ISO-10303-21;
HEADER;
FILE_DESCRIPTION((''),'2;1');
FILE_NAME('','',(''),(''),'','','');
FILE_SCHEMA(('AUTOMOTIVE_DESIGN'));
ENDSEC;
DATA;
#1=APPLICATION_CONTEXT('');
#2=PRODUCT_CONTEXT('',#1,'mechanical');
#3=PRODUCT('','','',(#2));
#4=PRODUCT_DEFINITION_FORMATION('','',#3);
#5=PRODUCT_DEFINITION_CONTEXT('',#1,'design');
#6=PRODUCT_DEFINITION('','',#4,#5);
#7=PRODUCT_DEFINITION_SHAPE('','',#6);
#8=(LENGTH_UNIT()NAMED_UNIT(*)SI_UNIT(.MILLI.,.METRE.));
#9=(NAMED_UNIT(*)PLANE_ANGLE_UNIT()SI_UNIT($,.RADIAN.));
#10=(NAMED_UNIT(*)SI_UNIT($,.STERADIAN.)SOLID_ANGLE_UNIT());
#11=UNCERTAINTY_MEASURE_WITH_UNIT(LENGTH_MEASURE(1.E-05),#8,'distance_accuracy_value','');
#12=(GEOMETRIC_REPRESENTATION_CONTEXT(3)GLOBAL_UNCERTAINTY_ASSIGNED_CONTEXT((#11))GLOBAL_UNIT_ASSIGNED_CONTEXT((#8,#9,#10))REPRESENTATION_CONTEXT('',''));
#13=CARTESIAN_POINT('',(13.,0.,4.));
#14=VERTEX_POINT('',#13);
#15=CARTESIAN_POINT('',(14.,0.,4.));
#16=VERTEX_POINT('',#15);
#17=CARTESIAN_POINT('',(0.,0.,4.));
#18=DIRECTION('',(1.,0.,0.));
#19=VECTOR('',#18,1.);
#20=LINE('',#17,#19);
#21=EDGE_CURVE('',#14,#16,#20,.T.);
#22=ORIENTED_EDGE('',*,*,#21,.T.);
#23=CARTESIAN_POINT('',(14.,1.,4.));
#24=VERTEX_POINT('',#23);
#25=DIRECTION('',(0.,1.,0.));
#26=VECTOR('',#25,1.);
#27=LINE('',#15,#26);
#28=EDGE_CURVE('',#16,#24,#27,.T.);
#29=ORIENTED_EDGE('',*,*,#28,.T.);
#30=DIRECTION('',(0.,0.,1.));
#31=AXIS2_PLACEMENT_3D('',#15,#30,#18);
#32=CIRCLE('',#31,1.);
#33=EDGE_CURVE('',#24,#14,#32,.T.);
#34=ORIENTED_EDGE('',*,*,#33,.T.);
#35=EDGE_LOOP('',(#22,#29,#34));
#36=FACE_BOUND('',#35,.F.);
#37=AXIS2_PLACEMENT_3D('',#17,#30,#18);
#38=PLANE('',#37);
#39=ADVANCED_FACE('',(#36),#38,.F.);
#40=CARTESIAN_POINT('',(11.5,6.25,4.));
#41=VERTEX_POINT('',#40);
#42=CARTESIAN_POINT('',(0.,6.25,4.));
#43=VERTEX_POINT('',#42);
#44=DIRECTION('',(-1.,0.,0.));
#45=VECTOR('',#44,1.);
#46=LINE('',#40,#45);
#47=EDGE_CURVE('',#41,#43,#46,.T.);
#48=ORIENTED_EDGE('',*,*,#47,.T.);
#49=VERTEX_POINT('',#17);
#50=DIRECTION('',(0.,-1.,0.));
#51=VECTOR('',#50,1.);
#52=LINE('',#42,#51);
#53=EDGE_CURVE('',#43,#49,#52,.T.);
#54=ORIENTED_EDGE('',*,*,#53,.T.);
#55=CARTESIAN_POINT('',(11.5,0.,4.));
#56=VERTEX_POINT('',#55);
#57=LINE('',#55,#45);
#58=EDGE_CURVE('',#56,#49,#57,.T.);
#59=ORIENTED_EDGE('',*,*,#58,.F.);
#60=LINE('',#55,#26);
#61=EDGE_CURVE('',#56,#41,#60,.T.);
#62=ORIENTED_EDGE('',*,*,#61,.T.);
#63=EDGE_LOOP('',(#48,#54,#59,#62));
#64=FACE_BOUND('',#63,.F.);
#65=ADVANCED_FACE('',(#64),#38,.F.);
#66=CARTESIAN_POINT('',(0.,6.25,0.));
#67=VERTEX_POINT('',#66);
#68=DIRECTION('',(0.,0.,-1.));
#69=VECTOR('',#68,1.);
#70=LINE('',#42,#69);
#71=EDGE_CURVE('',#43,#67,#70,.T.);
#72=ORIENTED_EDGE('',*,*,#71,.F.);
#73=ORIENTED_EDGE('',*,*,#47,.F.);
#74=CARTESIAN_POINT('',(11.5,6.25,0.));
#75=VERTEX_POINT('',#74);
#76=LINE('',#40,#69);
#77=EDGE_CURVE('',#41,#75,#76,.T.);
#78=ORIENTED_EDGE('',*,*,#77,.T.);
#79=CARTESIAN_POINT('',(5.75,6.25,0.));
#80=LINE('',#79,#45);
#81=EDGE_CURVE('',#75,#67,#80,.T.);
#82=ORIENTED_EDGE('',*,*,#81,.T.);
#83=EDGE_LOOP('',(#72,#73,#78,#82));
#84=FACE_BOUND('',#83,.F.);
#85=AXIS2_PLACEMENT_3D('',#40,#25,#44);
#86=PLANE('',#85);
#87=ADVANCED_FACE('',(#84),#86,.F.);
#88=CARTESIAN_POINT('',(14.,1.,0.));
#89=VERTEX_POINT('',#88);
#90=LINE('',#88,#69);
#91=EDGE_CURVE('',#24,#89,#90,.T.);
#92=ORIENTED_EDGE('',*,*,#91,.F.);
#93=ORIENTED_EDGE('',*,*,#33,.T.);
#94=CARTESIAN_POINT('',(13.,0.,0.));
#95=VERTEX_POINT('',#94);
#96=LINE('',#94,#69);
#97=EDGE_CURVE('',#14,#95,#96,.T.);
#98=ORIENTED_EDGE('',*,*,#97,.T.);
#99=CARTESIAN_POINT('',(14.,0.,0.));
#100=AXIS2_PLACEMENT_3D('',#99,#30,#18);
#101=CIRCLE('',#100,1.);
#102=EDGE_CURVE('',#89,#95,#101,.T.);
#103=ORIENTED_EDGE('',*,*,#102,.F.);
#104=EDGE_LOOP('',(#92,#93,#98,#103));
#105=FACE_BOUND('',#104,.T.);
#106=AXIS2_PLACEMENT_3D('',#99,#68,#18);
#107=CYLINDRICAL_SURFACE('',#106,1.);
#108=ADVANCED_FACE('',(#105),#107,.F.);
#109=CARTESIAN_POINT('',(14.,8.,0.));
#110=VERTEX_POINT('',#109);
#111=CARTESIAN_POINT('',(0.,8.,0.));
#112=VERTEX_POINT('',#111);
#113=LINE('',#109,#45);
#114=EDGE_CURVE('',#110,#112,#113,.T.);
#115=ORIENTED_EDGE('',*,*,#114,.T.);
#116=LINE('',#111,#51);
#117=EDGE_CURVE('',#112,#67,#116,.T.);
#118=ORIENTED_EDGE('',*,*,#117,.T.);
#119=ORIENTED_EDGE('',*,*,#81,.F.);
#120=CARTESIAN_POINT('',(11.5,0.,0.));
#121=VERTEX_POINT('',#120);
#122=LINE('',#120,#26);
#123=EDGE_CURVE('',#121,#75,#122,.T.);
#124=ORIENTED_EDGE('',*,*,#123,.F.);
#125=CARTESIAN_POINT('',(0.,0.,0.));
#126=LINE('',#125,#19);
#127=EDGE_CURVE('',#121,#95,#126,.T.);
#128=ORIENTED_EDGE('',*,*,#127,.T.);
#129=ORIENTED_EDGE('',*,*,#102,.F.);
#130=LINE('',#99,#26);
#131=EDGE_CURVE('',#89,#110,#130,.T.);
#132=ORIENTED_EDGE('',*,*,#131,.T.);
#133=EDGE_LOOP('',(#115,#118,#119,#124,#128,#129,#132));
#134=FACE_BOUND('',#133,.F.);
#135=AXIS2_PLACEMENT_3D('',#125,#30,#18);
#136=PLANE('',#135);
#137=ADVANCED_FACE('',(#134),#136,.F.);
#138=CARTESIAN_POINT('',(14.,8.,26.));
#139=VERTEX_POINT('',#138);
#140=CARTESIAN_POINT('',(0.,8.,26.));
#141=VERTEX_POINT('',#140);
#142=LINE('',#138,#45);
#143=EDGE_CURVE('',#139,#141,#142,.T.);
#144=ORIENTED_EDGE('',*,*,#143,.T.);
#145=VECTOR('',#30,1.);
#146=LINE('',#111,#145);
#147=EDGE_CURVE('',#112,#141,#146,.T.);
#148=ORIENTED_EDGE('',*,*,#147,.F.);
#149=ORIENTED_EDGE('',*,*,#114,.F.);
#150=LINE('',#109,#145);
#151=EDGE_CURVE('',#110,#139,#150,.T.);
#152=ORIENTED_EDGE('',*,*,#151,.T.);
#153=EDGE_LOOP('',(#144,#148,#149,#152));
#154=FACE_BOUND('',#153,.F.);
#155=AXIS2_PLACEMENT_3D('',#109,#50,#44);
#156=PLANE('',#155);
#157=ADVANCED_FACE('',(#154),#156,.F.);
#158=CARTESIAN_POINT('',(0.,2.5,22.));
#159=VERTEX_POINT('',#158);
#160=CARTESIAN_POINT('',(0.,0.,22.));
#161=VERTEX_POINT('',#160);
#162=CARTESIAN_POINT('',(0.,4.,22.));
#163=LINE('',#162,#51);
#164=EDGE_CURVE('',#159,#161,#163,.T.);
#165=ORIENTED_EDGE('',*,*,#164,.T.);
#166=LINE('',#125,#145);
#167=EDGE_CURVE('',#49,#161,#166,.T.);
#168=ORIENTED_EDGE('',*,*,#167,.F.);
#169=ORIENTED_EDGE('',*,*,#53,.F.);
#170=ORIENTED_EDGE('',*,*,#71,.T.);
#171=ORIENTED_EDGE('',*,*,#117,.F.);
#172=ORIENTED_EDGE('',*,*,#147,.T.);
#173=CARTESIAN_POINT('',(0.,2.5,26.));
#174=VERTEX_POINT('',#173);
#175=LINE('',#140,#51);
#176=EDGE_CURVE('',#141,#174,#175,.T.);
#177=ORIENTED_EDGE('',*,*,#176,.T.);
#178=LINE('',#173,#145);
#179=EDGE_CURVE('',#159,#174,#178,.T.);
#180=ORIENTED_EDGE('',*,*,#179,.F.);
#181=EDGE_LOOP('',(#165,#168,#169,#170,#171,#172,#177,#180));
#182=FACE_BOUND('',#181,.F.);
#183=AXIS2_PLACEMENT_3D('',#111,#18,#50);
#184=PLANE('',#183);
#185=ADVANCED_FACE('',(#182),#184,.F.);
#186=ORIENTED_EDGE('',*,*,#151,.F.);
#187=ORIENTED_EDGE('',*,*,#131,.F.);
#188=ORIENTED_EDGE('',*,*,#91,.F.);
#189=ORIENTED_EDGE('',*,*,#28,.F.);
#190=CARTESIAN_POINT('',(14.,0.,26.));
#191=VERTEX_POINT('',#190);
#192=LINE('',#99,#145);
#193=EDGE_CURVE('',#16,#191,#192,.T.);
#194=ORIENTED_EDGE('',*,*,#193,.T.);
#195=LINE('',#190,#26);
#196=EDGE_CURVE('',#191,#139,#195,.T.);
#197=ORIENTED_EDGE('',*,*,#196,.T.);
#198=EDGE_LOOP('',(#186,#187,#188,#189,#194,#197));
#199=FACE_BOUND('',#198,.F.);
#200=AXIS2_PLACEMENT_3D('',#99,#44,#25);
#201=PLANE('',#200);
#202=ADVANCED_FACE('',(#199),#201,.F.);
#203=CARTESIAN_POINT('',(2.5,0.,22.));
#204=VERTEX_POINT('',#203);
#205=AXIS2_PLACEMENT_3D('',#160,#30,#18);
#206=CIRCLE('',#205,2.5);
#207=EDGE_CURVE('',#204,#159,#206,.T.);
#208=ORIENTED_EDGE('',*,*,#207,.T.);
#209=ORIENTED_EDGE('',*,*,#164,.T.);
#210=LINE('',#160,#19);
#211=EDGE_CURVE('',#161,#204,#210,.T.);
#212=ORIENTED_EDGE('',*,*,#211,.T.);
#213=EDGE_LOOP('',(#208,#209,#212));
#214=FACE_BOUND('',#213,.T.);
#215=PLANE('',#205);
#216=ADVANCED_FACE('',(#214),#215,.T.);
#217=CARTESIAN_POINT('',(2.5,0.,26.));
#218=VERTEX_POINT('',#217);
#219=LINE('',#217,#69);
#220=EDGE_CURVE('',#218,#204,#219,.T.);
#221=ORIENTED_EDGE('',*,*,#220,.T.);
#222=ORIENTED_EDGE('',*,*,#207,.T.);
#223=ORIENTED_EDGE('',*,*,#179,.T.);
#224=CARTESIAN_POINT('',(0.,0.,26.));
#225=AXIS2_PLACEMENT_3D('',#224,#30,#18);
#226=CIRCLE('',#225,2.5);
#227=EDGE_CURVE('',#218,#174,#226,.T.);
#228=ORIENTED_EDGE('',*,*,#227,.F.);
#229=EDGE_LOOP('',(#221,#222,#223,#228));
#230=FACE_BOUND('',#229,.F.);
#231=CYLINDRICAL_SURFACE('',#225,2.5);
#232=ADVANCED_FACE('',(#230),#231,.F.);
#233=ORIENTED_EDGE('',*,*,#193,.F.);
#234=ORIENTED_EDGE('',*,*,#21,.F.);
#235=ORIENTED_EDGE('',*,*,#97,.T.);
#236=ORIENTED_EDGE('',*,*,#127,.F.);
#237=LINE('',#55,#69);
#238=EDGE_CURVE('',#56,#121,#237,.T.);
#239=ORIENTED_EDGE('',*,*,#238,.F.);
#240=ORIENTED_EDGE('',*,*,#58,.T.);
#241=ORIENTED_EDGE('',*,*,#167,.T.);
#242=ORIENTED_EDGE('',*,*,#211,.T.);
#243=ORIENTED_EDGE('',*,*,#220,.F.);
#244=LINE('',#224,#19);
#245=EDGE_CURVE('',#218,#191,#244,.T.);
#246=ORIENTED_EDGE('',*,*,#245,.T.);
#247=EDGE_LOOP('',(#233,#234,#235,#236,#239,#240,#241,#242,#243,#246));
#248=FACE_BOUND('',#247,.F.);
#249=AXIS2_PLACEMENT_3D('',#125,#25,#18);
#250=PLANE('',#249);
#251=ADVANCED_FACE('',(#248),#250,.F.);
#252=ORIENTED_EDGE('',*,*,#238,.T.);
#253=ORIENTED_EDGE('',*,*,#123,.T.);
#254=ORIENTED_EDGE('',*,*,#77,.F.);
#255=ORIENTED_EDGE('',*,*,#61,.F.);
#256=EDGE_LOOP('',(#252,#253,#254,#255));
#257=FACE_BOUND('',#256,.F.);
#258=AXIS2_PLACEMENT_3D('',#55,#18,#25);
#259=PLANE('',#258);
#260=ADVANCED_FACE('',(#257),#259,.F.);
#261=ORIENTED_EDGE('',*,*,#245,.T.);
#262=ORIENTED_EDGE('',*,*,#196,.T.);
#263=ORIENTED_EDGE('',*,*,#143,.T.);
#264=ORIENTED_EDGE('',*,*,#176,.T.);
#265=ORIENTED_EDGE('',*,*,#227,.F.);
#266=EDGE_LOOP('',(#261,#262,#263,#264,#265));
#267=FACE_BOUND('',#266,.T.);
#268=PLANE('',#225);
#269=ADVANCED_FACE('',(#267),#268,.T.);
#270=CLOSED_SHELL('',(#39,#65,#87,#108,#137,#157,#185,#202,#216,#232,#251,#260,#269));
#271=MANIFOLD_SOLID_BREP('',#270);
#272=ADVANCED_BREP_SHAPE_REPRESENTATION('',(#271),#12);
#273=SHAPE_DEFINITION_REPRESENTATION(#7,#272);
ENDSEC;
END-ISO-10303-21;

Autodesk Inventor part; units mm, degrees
ref_plane "YZ Plane" through (0, 0, 0) normal (1, 0, 0) x (0, 1, 0)
sketch "Skizze1" plane through (0, 0, 0) normal (0, 0, 1) x (1, 0, 0)
  line L0 (0, 0) -> (14, 0)
  line L1 (14, 0) -> (14, 8)
  line L2 (14, 8) -> (0, 8)
  line L3 (0, 8) -> (0, 0)
extrude "Extrusion1" add sketch "Skizze1" along normal blind 26
ref_plane "Arbeitsebene1" through (0, 0, 4) normal (0, 0, 1) x (1, 0, 0)
sketch "Skizze2" plane through (0, 0, 4) normal (0, 0, 1) x (1, 0, 0)
  line L0 (0, 0) -> (11.5, 0)
  line L1 (11.5, 0) -> (11.5, 6.25)
  line L2 (11.5, 6.25) -> (0, 6.25)
  line L3 (0, 6.25) -> (0, 0)
extrude "Extrusion2" cut sketch "Skizze2" against normal blind 22
ref_plane "Arbeitsebene2" through (0, 0, 26) normal (0, 0, 1) x (1, 0, 0)
sketch "Skizze3" plane through (0, 0, 26) normal (0, 0, 1) x (1, 0, 0)
  circle A0 centre (0, 0) radius 2.5
extrude "Extrusion3" cut sketch "Skizze3" against normal blind 4
sketch "Skizze4" plane through (0, 0, 0) normal (0, 0, 1) x (1, 0, 0)
  circle A0 centre (0, 0) radius 1
  circle A1 centre (14, 0) radius 1
extrude "Extrusion4" cut sketch "Skizze4" along normal blind 4
properties part number "Servo_Halterung"
